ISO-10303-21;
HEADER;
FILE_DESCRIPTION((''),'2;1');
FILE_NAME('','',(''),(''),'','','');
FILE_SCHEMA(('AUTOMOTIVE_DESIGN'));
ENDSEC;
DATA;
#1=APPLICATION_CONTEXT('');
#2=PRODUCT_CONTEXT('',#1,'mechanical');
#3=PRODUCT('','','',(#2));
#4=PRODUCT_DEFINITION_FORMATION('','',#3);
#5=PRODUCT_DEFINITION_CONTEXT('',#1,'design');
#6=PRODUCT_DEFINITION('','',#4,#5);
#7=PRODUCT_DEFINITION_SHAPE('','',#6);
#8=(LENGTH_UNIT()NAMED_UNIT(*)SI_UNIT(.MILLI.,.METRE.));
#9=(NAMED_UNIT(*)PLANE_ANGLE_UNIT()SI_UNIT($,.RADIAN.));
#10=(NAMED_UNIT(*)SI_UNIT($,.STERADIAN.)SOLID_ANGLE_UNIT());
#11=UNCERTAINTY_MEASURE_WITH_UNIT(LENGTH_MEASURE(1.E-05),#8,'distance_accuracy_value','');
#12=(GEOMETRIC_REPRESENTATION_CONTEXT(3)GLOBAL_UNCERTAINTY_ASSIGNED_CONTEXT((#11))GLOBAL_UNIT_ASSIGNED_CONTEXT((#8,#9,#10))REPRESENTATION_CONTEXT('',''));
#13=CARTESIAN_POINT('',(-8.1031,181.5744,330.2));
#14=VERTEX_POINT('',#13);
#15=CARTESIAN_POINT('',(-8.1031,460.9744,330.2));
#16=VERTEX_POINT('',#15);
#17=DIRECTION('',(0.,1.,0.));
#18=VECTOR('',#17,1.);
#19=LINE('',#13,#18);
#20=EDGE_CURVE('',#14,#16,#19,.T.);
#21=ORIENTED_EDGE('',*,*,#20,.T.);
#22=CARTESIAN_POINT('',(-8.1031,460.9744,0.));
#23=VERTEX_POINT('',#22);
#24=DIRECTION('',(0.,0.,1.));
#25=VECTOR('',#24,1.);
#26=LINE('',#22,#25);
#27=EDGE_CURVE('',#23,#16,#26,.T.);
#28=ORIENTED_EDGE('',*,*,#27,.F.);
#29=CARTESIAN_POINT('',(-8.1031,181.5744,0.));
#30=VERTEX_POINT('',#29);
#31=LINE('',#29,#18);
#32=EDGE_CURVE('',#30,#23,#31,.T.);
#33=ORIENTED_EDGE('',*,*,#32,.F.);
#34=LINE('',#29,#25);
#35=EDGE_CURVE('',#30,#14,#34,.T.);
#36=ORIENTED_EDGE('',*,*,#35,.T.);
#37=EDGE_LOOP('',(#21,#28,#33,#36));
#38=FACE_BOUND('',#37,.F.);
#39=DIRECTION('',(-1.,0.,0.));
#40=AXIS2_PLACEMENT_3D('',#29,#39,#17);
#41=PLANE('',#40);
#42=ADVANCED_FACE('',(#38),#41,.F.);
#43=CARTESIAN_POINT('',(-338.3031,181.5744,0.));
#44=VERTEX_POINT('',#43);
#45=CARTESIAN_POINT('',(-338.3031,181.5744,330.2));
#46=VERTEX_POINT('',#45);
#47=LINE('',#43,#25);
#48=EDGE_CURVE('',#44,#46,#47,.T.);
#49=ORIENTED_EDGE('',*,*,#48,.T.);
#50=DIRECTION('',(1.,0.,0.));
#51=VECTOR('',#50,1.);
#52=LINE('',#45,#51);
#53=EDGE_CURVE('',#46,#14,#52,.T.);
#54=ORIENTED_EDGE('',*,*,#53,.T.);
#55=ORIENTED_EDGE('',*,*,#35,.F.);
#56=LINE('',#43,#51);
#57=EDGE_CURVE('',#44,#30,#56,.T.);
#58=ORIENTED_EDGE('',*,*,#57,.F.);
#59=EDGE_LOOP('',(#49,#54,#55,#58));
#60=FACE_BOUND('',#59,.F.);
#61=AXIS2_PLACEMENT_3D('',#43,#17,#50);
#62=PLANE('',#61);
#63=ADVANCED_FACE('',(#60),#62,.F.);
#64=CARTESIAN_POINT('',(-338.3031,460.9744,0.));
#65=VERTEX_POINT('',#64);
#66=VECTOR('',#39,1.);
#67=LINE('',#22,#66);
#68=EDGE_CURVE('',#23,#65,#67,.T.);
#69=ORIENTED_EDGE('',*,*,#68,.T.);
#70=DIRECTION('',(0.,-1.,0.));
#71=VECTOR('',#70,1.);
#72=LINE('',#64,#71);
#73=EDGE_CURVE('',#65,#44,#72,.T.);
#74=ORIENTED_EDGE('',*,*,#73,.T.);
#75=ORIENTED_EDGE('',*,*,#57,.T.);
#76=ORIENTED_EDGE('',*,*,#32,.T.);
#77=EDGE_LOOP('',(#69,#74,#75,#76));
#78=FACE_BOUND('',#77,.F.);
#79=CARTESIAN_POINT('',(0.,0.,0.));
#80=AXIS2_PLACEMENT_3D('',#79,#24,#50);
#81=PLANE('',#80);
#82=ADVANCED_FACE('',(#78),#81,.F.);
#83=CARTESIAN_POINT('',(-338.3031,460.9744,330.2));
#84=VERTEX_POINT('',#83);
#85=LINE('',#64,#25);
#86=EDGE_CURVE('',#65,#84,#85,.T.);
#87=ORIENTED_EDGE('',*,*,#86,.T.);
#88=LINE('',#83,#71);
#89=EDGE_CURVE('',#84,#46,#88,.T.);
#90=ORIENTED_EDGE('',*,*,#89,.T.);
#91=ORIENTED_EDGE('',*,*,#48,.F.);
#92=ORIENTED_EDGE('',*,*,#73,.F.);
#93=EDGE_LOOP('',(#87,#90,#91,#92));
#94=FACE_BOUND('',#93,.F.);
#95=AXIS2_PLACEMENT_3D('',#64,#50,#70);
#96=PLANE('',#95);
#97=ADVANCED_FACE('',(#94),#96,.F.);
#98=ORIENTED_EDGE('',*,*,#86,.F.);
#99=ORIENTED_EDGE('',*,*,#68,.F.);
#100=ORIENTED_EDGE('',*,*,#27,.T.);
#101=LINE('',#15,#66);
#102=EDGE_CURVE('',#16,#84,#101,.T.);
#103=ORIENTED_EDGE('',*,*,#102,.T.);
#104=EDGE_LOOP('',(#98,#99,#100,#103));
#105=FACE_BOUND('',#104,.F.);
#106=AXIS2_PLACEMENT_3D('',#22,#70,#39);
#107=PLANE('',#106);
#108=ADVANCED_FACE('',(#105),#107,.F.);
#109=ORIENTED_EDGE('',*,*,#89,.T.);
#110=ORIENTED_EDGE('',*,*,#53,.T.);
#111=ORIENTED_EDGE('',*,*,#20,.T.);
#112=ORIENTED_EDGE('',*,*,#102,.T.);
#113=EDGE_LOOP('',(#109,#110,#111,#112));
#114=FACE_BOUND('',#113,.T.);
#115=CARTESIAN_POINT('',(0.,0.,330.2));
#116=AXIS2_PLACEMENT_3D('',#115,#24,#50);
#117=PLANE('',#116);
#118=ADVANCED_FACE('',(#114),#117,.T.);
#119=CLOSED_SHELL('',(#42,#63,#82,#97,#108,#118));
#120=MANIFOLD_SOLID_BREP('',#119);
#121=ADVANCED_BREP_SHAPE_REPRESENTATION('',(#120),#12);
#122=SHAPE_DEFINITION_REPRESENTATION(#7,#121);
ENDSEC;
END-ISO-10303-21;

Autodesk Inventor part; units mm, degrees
ref_plane "YZ Plane" through (0, 0, 0) normal (1, 0, 0) x (0, 1, 0)
ref_plane "XZ Plane" through (0, 0, 0) normal (0, 1, 0) x (-1, 0, 0)
ref_plane "XY Plane" through (0, 0, 0) normal (0, 0, 1) x (1, 0, 0)
sketch "Sketch1" plane through (0, 0, 0) normal (0, 0, 1) x (1, 0, 0)
  line L0 (-338.3031, 181.5744) -> (-8.1031, 181.5744)
  line L1 (-8.1031, 181.5744) -> (-8.1031, 460.9744)
  line L2 (-8.1031, 460.9744) -> (-338.3031, 460.9744)
  line L3 (-338.3031, 460.9744) -> (-338.3031, 181.5744)
  line L4 (-338.3031, 181.5744) -> (-8.1031, 460.9744) construction
  line L5 (-8.1031, 181.5744) -> (-338.3031, 460.9744) construction
  point P0 (0, 0)
  point P1 (-173.2031, 321.2744)
  dimension "d0" = 330.2
  dimension "d1" = 279.4
extrude "Extrusion1" add sketch "Sketch1" along normal blind 330.2
properties part number "2018 power cube"
